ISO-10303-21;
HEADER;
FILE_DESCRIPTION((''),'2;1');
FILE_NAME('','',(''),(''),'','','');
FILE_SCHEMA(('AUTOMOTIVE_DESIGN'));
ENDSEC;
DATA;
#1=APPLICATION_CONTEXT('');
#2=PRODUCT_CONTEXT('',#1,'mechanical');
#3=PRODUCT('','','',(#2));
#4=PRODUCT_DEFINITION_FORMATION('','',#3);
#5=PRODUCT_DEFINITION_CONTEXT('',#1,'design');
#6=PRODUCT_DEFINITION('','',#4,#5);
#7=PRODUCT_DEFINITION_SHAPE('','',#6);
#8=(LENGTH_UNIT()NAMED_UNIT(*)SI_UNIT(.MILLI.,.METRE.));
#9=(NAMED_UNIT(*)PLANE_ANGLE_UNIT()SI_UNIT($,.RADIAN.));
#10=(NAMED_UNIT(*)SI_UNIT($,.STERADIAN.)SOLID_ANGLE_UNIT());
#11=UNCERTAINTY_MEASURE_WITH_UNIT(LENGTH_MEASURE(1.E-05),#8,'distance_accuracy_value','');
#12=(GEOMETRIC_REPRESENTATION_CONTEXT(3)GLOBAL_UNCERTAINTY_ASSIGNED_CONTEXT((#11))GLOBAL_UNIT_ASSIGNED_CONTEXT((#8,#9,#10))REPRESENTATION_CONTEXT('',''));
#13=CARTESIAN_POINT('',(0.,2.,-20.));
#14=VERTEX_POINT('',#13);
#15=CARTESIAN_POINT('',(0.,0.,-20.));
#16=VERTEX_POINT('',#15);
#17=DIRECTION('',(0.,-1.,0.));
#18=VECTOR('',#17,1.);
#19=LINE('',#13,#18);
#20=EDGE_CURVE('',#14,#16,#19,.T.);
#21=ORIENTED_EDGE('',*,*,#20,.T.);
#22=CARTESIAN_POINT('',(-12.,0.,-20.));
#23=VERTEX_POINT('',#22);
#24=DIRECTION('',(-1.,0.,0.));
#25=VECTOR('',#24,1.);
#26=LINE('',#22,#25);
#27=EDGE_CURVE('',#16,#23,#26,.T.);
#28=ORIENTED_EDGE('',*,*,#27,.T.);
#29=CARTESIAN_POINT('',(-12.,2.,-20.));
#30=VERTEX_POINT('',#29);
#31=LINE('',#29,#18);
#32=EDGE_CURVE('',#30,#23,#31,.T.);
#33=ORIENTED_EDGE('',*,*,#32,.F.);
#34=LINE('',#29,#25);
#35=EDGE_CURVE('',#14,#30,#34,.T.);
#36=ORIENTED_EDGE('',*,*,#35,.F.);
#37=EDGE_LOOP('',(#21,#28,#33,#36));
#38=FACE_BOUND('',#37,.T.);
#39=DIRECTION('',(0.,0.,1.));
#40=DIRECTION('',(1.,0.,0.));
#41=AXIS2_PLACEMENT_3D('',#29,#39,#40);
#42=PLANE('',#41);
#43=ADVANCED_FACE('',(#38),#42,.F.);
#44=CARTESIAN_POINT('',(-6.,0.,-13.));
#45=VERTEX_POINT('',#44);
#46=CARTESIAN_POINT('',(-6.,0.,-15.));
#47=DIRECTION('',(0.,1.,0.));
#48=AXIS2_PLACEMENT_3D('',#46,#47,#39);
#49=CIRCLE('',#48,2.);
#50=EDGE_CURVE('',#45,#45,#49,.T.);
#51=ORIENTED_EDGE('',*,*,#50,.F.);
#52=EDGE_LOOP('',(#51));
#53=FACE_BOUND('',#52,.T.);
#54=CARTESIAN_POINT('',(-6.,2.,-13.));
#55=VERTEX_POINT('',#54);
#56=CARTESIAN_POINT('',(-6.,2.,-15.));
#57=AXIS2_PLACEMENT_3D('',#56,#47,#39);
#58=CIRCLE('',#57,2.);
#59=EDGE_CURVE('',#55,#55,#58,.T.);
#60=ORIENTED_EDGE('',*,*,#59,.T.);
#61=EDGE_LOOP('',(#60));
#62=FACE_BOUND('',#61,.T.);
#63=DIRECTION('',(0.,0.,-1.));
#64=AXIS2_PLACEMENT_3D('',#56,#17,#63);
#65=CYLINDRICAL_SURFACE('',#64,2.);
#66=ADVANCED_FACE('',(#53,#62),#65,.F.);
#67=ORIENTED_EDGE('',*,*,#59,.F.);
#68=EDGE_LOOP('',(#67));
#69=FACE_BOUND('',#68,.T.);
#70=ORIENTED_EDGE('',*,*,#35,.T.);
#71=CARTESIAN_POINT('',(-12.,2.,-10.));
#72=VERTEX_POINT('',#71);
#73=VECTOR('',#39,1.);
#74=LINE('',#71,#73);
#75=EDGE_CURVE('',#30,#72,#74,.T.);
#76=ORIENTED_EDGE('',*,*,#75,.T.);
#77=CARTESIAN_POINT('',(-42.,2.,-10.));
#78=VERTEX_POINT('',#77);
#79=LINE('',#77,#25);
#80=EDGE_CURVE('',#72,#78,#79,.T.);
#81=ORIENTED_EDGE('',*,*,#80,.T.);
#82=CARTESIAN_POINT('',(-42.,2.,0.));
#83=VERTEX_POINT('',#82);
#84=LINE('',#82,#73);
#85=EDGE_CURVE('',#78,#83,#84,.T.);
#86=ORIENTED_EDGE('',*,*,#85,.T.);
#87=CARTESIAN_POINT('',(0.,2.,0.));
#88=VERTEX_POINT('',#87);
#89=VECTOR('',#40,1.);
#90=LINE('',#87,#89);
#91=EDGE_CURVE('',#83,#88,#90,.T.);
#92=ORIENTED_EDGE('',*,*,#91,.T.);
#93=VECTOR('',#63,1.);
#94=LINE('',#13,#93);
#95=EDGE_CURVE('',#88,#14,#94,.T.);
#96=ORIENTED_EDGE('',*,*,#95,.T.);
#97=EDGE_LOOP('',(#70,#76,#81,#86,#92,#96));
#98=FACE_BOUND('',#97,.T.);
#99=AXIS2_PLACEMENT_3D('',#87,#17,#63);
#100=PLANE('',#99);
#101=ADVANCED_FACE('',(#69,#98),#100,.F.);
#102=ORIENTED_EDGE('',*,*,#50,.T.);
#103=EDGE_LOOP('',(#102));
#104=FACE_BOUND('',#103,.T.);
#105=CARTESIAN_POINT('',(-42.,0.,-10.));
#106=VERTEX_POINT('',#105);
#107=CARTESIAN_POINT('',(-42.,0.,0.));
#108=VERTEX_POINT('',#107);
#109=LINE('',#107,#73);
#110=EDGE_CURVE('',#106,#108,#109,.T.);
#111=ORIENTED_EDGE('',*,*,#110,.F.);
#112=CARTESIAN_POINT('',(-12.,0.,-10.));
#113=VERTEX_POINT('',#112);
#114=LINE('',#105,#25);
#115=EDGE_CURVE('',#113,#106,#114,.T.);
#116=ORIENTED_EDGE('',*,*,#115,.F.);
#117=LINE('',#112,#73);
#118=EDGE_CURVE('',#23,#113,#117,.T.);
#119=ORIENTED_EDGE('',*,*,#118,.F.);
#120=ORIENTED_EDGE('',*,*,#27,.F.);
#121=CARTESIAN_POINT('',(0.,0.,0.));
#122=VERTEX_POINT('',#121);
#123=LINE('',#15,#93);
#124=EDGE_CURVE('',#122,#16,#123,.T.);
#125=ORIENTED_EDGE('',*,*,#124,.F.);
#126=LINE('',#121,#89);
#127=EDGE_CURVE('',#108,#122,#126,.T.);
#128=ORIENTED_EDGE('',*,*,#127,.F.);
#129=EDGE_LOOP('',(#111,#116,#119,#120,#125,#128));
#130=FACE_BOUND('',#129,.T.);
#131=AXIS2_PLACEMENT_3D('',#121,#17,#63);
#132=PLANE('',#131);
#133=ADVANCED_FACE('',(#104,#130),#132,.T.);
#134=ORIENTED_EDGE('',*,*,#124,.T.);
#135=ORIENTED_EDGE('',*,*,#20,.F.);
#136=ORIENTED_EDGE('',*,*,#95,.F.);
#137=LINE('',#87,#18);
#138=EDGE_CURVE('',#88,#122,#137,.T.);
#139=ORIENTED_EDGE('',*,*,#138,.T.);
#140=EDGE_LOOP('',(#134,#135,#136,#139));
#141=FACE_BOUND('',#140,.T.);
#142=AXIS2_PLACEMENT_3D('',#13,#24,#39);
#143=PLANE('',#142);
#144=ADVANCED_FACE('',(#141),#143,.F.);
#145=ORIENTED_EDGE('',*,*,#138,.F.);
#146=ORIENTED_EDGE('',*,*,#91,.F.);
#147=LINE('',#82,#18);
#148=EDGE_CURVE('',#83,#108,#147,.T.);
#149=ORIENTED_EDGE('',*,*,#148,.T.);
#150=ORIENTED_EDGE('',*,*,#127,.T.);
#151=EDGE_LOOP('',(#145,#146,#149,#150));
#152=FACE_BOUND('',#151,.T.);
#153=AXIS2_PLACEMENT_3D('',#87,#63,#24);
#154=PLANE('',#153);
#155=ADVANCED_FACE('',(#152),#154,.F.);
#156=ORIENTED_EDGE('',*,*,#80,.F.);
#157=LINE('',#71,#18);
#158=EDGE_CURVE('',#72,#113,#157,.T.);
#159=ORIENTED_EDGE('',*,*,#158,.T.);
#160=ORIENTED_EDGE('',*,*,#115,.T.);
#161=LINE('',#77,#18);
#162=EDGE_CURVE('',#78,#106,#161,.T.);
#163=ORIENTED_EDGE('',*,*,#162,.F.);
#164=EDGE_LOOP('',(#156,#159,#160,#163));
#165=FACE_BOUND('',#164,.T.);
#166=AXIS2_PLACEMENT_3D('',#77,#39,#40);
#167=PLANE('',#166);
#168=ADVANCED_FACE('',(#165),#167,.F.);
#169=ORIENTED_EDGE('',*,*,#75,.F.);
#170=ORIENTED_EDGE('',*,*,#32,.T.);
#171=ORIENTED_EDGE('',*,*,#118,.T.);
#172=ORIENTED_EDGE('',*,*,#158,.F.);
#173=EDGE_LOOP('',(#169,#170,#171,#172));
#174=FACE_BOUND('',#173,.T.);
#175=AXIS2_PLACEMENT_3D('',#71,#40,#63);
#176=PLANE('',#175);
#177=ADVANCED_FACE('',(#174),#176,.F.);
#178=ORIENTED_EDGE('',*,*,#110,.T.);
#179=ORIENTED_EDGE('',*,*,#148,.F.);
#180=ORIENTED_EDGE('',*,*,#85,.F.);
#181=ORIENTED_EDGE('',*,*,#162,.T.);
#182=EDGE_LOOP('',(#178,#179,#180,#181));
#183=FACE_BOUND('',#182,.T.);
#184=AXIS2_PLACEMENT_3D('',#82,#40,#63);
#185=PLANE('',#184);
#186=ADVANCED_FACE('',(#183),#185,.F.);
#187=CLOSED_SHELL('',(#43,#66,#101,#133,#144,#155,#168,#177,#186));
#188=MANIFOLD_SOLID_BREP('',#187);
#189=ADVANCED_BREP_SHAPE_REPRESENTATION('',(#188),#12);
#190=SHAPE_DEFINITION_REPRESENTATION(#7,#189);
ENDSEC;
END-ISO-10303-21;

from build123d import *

# Parameters (mm, degrees)
SKETCH1_R           = 2
BOSS_EXTRUDE1_DEPTH = 2


with BuildPart() as part:
    # Sketch1 → Boss-Extrude1 (new body)
    with BuildSketch(Plane(origin=(0, 0, 0), x_dir=(1, 0, 0), z_dir=(0, 1, 0))):
        Polygon((0, 0), (-42, 0), (-42, 10), (-12, 10), (-12, 20), (0, 20), align=None)
        with Locations(Location((-6, 15, 0), (0, 0, 270))):
            Circle(SKETCH1_R, mode=Mode.SUBTRACT)
    extrude(amount=BOSS_EXTRUDE1_DEPTH)


solid = part.part
